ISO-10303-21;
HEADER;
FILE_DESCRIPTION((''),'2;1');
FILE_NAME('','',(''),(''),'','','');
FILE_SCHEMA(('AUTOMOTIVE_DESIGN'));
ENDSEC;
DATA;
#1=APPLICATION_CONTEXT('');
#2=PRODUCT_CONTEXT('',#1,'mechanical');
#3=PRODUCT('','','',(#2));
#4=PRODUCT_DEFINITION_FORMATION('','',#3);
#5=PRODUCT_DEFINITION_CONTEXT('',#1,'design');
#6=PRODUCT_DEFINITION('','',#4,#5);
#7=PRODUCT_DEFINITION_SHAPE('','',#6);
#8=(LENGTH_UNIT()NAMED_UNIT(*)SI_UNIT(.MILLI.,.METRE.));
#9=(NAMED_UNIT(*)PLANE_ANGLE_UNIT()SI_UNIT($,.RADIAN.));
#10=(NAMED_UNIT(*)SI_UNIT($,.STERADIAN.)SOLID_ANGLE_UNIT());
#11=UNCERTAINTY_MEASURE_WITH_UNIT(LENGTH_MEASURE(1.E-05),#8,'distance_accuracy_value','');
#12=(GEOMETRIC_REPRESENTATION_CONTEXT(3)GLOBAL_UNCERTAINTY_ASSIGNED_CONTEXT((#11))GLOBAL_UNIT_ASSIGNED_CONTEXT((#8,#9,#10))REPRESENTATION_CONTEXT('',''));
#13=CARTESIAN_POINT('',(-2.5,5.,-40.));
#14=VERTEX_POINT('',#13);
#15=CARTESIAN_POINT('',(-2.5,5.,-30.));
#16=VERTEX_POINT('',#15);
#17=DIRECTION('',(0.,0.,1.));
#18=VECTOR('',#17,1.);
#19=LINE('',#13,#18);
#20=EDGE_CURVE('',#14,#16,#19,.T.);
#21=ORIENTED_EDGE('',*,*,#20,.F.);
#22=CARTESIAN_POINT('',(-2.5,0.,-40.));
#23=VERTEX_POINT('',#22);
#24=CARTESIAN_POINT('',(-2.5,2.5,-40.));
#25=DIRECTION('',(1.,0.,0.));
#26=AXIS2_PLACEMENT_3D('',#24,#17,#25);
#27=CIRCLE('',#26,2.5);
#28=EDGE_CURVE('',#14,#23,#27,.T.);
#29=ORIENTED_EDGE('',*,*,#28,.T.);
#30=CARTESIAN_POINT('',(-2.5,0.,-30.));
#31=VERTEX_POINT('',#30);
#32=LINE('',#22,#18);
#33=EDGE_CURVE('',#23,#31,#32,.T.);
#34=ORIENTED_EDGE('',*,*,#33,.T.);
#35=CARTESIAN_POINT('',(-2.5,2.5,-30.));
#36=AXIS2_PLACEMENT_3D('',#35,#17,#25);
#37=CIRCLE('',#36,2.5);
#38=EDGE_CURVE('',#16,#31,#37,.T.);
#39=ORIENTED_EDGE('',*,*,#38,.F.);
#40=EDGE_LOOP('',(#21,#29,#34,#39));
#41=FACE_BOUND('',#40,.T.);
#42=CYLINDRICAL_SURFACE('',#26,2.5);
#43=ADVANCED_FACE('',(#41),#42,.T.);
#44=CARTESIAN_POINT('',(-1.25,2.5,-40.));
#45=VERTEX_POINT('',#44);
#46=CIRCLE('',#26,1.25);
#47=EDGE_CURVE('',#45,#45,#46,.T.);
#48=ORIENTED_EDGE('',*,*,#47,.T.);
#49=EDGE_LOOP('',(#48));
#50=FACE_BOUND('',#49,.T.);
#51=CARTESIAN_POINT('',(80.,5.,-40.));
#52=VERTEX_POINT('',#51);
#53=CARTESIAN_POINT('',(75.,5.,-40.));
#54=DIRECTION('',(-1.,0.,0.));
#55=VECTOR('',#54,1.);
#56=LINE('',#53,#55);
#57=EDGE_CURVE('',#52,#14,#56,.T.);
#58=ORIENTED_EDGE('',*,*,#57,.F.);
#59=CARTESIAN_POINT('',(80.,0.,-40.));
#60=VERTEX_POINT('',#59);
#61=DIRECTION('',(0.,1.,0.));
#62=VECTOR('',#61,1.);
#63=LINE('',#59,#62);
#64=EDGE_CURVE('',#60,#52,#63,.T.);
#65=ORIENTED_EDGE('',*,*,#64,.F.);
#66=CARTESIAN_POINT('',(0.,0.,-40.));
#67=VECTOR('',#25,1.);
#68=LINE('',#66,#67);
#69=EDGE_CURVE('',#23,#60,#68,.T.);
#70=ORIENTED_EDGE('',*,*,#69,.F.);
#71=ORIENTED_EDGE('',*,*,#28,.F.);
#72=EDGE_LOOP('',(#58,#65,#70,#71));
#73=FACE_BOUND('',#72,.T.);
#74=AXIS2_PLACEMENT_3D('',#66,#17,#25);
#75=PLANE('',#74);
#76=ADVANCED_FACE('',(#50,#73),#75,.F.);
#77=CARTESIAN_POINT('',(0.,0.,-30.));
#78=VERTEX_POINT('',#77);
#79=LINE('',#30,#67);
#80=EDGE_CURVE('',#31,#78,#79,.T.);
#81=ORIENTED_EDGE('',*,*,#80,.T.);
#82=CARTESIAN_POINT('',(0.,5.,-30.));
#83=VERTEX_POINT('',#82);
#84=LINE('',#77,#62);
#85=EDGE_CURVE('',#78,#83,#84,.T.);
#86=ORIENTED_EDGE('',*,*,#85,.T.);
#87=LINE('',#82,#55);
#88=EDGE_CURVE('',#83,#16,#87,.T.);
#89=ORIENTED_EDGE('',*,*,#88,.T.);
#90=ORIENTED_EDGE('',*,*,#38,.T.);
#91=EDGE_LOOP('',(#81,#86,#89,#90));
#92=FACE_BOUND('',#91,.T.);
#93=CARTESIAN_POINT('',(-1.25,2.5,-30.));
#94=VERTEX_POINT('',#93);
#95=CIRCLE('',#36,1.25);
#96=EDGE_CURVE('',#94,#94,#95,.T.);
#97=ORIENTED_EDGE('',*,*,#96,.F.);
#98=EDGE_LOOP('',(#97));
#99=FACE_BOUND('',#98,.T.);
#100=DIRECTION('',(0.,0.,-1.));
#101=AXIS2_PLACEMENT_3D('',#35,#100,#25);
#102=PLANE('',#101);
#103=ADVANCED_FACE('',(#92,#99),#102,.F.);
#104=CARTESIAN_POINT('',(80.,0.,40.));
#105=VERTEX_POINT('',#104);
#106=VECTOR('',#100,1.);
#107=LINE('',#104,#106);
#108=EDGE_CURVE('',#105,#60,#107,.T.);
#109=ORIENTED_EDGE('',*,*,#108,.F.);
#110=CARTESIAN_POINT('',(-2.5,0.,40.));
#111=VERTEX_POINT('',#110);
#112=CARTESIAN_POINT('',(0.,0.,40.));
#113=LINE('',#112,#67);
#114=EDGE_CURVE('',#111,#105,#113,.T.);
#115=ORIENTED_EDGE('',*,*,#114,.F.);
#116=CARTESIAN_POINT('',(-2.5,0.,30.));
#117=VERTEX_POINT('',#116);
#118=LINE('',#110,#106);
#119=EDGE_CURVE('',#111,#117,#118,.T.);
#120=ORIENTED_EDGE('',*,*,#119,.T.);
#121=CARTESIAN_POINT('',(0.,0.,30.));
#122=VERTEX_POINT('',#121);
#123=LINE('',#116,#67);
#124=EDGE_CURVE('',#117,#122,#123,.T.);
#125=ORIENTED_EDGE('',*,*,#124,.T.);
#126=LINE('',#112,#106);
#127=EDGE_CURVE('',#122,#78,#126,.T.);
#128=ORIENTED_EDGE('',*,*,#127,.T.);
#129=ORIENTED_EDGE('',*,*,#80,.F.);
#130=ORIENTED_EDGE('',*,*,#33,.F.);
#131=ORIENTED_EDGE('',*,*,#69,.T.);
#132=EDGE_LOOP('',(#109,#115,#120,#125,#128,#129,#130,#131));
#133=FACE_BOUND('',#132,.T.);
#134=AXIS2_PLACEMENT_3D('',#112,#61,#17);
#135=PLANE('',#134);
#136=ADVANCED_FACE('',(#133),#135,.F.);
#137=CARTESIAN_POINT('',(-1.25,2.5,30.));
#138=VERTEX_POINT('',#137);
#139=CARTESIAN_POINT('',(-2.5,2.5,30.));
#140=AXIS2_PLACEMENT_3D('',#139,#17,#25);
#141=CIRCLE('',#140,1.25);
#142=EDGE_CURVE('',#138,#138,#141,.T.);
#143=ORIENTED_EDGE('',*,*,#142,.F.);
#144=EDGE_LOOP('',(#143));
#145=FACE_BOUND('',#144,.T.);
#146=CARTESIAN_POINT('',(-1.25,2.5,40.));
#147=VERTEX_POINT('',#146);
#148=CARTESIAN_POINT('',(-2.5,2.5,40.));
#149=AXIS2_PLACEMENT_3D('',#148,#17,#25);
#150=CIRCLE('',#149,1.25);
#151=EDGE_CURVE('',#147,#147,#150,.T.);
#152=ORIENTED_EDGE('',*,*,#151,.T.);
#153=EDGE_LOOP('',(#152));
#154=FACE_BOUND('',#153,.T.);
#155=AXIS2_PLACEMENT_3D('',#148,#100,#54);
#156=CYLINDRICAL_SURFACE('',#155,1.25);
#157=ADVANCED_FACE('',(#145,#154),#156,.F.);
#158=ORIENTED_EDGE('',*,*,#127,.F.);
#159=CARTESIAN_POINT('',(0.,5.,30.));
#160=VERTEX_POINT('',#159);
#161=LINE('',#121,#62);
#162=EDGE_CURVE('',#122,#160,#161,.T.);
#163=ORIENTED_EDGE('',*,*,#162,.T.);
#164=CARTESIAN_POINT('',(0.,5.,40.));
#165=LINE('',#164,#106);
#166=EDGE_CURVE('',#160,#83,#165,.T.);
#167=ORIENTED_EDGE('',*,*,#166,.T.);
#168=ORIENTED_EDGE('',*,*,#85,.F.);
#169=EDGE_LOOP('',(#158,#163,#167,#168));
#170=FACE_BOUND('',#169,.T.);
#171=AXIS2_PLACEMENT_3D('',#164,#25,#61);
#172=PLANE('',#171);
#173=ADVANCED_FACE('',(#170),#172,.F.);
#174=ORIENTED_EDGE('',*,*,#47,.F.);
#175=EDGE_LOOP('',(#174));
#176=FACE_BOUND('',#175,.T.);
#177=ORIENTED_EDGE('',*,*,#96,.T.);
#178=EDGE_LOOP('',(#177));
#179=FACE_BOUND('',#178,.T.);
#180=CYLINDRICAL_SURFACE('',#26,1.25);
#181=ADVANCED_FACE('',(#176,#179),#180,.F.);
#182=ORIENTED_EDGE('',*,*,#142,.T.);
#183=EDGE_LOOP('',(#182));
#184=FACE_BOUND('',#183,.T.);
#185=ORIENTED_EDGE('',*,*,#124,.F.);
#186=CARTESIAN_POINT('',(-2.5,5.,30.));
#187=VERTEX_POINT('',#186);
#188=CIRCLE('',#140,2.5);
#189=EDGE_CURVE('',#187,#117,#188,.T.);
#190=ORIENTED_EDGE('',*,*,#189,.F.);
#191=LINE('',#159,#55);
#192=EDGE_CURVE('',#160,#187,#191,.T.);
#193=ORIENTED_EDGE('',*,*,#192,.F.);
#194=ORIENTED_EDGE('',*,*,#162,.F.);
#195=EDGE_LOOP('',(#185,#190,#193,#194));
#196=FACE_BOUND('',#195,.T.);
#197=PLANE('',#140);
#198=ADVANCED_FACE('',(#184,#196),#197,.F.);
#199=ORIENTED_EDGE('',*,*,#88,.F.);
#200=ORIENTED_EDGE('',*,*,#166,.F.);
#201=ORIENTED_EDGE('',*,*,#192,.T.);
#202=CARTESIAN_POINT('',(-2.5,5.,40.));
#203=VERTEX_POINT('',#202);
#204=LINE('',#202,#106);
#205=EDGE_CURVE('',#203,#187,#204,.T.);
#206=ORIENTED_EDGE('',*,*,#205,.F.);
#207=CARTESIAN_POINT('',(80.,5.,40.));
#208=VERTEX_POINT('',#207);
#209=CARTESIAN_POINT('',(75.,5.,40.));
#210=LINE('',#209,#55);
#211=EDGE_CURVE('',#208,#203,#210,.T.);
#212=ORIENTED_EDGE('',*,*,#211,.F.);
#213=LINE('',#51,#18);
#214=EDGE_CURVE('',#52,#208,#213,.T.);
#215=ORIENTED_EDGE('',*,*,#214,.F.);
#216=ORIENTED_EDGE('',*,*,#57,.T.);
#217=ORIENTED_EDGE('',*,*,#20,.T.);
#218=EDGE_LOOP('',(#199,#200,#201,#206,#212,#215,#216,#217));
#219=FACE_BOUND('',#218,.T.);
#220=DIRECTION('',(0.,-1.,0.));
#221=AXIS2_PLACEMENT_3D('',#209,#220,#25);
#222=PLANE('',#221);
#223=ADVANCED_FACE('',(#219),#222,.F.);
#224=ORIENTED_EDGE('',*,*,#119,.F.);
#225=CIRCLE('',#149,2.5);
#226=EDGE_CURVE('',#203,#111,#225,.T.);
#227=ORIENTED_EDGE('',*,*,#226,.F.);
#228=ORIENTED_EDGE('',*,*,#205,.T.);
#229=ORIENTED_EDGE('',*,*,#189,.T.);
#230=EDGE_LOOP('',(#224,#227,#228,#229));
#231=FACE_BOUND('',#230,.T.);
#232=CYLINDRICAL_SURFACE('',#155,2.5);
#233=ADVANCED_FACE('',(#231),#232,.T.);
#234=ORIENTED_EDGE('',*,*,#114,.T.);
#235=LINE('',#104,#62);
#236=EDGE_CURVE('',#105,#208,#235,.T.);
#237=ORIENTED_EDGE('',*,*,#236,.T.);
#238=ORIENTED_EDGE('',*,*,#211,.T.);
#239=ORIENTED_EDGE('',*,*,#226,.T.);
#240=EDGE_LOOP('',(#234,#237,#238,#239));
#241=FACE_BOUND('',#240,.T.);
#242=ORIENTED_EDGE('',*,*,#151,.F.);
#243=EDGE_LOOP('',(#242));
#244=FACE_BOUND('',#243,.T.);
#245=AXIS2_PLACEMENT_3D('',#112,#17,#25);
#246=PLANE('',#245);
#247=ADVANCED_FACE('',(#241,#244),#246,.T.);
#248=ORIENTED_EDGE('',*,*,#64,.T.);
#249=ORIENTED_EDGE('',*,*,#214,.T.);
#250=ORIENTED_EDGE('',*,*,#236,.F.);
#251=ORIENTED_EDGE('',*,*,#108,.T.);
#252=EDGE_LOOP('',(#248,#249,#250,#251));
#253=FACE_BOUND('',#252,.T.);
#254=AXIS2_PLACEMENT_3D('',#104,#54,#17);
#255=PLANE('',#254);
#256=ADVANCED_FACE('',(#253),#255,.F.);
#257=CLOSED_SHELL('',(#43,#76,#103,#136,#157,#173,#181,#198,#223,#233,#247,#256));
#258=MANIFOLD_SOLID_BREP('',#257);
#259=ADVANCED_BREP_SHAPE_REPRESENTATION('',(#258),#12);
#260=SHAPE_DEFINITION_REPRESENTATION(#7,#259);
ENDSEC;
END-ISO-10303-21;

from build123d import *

# Parameters (mm, degrees)
BOSS_EXTRUDE1_DEPTH     = 40
BOSS_EXTRUDE2_START     = 30
SKETCH2_R               = 1.25
BOSS_EXTRUDE2_DEPTH     = 10
CUT_EXTRUDE1_DEPTH      = 91
CUT_EXTRUDE1_DEPTH_BACK = 91
SKETCH3_W               = 5
SKETCH3_H               = 5


with BuildPart() as part:
    # Sketch1 → Boss-Extrude1 (new, symmetric)
    with BuildSketch(Plane.XY):
        Polygon((0, 0), (80, 0), (80, 10), (75, 10), (75, 5), (0, 5), align=None)
    extrude(amount=BOSS_EXTRUDE1_DEPTH, both=True)

    # Sketch2 → Boss-Extrude2 (add)
    with BuildSketch(Plane.XY.offset(BOSS_EXTRUDE2_START)):
        with BuildLine():
            Line((0, 5), (-2.5, 5))
            ThreePointArc((-2.5, 5), (-5, 2.5), (-2.5, 0))
            Line((-2.5, 0), (0, 0))
            Line((0, 0), (0, 5))
        make_face()
        with Locations((-2.5, 2.5)):
            Circle(SKETCH2_R, mode=Mode.SUBTRACT)
    boss_extrude2 = extrude(amount=BOSS_EXTRUDE2_DEPTH)

    # Mirror2: Boss-Extrude2 across plane
    add(boss_extrude2.mirror(Plane.XY))

    # Sketch3 → Cut-Extrude1 (cut, two sides: drawn at the far end of the back side and taken through both)
    with BuildSketch(Plane.XY.offset(-CUT_EXTRUDE1_DEPTH_BACK)):
        with Locations((77.5, 7.5)):
            Rectangle(SKETCH3_W, SKETCH3_H)
    extrude(amount=CUT_EXTRUDE1_DEPTH + CUT_EXTRUDE1_DEPTH_BACK, mode=Mode.SUBTRACT)


solid = part.part
